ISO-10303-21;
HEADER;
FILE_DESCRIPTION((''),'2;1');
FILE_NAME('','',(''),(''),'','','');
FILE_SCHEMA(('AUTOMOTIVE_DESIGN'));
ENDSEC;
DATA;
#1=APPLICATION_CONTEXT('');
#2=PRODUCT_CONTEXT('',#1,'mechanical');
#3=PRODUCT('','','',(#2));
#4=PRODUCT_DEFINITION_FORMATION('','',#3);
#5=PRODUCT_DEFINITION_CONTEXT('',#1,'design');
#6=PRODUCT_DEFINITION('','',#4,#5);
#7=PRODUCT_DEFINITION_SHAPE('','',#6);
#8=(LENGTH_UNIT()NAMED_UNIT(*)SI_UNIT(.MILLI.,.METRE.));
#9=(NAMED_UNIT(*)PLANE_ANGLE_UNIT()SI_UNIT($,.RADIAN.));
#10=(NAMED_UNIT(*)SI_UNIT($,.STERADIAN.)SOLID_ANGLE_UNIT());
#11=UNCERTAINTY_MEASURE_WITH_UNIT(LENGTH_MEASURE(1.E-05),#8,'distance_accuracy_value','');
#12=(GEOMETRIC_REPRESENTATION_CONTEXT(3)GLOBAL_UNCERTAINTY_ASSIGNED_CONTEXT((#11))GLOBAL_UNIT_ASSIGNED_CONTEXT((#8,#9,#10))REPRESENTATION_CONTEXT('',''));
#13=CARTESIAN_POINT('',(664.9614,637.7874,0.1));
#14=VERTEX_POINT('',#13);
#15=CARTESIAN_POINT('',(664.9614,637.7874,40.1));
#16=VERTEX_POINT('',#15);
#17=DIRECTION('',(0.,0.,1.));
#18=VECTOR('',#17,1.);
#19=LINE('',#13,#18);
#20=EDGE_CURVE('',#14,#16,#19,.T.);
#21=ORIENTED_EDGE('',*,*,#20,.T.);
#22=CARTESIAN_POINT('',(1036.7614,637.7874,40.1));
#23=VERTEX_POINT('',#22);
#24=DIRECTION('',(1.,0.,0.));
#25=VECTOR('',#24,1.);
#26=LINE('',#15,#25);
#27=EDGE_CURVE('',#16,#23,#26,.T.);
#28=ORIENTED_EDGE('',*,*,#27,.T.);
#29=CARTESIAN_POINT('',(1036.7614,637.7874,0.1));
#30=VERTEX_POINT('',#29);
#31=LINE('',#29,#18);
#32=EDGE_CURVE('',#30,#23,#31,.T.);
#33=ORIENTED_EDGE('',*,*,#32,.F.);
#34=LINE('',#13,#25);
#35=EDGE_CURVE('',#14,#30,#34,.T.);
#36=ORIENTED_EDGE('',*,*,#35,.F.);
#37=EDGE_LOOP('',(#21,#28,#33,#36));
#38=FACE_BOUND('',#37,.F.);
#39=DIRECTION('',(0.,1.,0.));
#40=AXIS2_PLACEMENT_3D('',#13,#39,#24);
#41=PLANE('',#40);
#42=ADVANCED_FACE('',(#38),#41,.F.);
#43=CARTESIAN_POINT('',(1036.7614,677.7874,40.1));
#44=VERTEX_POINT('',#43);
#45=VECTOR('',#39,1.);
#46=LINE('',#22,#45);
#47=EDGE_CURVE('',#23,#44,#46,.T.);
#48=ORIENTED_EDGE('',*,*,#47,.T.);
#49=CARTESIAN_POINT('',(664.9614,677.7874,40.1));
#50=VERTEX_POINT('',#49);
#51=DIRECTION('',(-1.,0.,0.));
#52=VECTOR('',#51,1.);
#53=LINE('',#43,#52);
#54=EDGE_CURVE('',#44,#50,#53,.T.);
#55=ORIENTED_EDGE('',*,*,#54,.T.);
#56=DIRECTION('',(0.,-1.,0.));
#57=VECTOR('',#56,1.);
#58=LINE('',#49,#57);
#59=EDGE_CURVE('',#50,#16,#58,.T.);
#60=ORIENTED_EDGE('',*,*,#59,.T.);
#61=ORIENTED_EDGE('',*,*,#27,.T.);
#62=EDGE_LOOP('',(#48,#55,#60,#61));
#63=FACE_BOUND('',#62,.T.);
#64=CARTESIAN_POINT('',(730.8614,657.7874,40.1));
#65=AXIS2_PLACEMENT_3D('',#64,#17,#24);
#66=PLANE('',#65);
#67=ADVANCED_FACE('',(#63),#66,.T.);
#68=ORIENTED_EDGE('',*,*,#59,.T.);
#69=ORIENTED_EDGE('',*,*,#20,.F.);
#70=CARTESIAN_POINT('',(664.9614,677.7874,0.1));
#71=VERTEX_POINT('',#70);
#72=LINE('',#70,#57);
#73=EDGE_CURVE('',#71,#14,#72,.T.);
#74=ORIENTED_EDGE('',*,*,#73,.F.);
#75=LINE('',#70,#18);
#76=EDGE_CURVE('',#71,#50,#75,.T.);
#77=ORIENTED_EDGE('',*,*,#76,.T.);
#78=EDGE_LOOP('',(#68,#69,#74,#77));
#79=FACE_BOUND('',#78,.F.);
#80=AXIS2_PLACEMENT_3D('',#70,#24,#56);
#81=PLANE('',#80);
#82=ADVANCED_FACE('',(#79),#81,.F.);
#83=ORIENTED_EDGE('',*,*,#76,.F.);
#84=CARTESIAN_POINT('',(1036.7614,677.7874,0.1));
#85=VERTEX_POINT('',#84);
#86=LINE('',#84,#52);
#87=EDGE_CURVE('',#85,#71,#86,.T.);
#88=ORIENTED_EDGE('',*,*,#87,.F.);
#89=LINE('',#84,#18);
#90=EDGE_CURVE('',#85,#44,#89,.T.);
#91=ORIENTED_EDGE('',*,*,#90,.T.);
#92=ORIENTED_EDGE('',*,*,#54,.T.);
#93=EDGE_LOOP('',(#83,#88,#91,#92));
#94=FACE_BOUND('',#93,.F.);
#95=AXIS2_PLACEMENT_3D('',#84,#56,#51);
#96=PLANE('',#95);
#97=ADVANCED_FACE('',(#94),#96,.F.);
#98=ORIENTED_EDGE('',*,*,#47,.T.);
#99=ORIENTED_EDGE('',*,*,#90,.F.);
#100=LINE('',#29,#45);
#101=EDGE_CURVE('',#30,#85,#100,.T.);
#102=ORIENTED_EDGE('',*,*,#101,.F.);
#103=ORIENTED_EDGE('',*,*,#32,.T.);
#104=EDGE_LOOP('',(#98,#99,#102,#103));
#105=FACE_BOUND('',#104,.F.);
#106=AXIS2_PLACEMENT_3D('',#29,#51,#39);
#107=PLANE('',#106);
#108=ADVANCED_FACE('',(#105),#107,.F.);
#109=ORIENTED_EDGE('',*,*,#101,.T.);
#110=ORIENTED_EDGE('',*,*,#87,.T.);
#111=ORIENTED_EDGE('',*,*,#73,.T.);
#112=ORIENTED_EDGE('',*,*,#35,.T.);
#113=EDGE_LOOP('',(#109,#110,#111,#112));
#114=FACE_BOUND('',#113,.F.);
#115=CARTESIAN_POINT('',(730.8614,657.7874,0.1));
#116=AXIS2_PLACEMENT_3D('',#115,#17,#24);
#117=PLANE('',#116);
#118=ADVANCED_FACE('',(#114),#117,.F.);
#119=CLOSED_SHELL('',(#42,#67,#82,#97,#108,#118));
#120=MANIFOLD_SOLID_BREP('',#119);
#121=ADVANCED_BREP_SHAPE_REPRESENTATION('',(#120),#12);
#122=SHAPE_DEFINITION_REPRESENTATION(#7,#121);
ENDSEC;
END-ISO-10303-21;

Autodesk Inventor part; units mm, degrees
ref_plane "YZ Plane" through (0, 0, 0) normal (1, 0, 0) x (0, 1, 0)
ref_plane "XZ Plane" through (0, 0, 0) normal (0, 1, 0) x (-1, 0, 0)
ref_plane "XY Plane" through (0, 0, 0) normal (0, 0, 1) x (1, 0, 0)
ref_plane "Work Plane1" through (730.8614, 657.7874, 0.1) normal (0, 0, 1) x (1, 0, 0)
sketch "Sketch1" plane through (730.8614, 657.7874, 0.1) normal (0, 0, 1) x (1, 0, 0)
  line L0 (-25.6, -11.5) -> (-25.6, 11.5) construction
  line L1 (265.6, 11.5) -> (265.6, -11.5) construction
  line L2 (265.6, 0) -> (-25.6, 0) construction
  line L3 (305.9, 20) -> (-65.9, 20)
  line L4 (-65.9, 20) -> (-65.9, -20)
  line L5 (-65.9, -20) -> (305.9, -20)
  line L6 (305.9, -20) -> (305.9, 20)
  point P0 (-730.8614, -657.7874)
  dimension "d0" = 40
  dimension "d1" = 40.3
  dimension "d2" = 40.3
extrude "Extrusion1" add sketch "Sketch1" along normal blind 40
properties part number "Top Frame"
